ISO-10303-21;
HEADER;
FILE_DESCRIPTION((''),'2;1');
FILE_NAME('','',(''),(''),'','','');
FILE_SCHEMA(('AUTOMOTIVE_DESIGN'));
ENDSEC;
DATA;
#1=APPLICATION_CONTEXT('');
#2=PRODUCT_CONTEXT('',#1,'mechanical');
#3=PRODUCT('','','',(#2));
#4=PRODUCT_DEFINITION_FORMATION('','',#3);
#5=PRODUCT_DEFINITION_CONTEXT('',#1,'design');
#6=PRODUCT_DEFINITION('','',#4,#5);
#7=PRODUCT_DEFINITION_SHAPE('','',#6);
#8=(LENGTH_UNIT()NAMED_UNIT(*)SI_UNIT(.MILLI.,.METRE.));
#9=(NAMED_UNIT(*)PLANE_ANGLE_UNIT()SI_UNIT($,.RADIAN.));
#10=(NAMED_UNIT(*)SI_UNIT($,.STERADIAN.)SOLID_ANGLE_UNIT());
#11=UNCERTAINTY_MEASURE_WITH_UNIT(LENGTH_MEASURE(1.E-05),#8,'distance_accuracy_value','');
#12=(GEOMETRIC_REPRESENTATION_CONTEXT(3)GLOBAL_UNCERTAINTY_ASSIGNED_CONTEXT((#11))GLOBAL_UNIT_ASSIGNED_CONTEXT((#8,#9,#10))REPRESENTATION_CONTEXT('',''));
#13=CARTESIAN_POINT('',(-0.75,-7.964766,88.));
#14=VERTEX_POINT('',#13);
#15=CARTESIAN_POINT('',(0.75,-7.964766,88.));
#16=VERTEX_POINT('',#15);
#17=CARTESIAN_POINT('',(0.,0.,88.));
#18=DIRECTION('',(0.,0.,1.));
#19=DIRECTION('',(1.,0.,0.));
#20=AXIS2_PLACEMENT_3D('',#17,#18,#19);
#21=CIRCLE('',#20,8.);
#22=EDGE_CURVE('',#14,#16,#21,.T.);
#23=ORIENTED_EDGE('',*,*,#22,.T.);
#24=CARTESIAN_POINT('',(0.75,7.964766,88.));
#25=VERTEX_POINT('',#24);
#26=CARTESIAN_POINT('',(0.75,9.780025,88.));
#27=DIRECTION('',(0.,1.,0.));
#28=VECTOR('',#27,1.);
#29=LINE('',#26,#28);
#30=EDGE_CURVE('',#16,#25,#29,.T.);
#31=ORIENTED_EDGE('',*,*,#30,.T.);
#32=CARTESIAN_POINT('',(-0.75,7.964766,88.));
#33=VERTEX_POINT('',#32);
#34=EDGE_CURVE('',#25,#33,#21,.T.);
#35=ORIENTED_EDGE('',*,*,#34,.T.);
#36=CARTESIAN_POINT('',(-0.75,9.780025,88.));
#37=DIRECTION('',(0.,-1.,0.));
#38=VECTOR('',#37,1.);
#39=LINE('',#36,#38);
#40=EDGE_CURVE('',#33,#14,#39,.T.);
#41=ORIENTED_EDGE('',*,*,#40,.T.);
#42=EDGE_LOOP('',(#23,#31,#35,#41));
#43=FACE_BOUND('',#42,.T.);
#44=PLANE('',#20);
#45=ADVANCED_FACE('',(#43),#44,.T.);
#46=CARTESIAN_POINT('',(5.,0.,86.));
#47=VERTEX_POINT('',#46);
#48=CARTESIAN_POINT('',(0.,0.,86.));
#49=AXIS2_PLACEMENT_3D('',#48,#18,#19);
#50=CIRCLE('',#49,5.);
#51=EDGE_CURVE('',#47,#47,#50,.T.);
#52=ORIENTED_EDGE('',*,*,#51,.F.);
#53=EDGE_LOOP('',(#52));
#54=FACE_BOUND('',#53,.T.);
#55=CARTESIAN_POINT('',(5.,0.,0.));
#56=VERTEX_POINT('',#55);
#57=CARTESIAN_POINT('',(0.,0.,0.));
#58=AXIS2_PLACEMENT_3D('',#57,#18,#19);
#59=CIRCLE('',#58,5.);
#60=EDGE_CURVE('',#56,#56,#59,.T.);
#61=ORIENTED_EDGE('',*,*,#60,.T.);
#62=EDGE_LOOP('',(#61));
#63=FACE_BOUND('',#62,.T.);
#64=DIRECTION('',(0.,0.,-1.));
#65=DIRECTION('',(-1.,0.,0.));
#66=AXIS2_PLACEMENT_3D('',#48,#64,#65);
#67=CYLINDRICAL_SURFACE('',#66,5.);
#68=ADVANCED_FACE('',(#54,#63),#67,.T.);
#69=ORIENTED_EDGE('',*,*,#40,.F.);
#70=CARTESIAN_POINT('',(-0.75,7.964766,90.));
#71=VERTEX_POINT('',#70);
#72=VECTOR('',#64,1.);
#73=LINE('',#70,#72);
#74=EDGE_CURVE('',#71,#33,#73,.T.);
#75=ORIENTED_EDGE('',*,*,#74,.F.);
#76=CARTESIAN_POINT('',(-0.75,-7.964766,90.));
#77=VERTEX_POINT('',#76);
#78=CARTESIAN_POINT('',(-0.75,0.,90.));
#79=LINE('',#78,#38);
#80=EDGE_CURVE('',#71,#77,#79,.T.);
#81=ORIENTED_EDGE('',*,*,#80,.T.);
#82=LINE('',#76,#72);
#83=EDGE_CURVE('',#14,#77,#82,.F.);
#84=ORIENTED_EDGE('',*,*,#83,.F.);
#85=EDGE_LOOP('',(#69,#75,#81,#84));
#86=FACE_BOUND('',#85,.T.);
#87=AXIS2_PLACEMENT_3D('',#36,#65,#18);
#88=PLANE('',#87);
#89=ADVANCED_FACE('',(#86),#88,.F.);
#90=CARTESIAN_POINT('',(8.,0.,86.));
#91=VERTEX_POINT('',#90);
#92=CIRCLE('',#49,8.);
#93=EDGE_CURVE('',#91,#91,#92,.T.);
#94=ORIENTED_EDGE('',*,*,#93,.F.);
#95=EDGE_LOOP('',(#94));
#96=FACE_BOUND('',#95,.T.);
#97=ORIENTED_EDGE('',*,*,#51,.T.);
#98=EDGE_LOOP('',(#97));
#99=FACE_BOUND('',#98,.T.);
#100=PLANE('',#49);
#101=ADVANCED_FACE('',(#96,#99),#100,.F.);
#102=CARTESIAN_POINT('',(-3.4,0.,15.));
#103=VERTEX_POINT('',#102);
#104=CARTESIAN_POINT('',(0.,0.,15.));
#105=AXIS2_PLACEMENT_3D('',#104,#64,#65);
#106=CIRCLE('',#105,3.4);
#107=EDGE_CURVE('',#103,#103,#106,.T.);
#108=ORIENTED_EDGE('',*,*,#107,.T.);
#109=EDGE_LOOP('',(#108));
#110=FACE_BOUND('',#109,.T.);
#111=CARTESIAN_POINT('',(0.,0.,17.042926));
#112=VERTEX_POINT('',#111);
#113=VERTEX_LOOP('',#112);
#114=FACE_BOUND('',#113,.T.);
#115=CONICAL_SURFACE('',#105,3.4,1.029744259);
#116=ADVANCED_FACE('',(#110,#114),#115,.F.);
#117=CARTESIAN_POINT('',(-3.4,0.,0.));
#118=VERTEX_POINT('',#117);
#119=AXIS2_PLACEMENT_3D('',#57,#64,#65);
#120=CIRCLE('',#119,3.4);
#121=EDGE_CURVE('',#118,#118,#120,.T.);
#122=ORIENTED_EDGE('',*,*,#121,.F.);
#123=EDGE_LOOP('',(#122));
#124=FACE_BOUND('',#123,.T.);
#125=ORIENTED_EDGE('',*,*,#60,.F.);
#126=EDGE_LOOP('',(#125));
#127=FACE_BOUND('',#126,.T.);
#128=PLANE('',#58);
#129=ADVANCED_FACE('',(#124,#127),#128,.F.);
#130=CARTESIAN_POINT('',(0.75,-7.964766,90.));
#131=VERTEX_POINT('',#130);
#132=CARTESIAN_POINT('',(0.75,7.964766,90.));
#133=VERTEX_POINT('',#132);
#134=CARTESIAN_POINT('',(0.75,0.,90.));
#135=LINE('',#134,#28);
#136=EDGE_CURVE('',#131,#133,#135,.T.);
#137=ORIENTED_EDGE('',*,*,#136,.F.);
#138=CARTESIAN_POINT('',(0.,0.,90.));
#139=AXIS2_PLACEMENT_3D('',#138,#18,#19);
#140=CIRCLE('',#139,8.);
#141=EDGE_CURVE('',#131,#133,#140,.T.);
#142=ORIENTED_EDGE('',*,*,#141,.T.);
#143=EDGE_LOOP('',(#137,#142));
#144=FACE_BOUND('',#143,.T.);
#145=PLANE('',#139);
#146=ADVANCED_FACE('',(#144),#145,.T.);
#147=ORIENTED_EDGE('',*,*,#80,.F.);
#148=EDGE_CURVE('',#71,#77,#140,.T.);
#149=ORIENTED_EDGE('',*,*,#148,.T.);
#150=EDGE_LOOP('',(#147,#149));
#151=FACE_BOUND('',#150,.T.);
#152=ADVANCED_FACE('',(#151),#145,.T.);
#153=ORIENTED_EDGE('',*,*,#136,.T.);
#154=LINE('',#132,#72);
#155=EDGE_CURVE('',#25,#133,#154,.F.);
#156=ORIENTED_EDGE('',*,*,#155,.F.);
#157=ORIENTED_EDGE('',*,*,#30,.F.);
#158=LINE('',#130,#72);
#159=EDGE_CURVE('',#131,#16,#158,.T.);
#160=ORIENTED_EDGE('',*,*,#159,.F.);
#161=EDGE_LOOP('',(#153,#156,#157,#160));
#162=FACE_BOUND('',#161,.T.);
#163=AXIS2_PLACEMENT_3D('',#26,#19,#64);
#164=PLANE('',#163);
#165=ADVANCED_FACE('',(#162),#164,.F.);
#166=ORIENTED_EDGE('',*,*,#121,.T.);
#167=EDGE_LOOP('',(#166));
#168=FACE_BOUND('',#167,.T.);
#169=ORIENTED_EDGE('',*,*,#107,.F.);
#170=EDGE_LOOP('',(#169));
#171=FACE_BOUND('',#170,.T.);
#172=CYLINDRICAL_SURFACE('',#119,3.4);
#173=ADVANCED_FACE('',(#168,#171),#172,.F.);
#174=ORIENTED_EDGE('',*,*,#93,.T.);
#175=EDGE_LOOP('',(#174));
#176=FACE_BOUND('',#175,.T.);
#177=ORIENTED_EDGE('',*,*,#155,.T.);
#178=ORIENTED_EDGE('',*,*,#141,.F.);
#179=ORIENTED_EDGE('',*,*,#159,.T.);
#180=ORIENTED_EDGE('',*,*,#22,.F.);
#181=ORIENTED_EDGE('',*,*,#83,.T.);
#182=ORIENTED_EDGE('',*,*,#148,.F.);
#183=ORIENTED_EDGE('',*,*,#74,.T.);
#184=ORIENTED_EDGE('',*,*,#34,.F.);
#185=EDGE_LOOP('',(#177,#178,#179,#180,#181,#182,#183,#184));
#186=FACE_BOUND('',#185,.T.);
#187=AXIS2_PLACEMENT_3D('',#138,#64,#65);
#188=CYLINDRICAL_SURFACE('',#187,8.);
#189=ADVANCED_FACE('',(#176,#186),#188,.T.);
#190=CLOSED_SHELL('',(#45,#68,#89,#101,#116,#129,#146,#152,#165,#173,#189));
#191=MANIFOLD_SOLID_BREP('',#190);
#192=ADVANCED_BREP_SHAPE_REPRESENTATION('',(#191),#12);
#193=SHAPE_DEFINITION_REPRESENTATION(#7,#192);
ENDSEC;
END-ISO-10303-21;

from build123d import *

# Parameters (mm, degrees)
SKETCH_1_R             = 5
EXTRUDE_1_DEPTH        = 86
SKETCH_2_R             = 8
EXTRUDE_2_DEPTH        = 4
SKETCH_4_W             = 1.5
SKETCH_4_H             = 19.56005024
CUT_EXTRUDE_1_DEPTH    = 2
HOLE_WIZARD_M8_1_D     = 6.8
HOLE_WIZARD_M8_1_DEPTH = 15
HOLE_WIZARD_M8_1_TIP   = 2.042926105


with BuildPart() as part:
    # 草图1 → 凸台-拉伸1 (new body)
    with BuildSketch(Plane.XY):
        Circle(SKETCH_1_R)
    extrude(amount=EXTRUDE_1_DEPTH)

    # 草图2 → 凸台-拉伸2 (add)
    with BuildSketch(Plane.XY.offset(86)):
        Circle(SKETCH_2_R)
    extrude(amount=EXTRUDE_2_DEPTH)

    # 草图4 → 切除-拉伸1 (cut)
    with BuildSketch(Plane.XY.offset(90)):
        Rectangle(SKETCH_4_W, SKETCH_4_H)
    extrude(amount=-CUT_EXTRUDE_1_DEPTH, mode=Mode.SUBTRACT)

    # M8 螺纹孔的螺纹孔钻头1
    with Locations(Plane(origin=(0, 0, 0), x_dir=(-1, 0, 0), z_dir=(0, 0, -1))):
        with Locations((0, 0)):
            Hole(HOLE_WIZARD_M8_1_D / 2, depth=HOLE_WIZARD_M8_1_DEPTH)
            with Locations((0, 0, -(HOLE_WIZARD_M8_1_DEPTH + HOLE_WIZARD_M8_1_TIP / 2))):  # 118° drill point
                Cone(0, HOLE_WIZARD_M8_1_D / 2, HOLE_WIZARD_M8_1_TIP, mode=Mode.SUBTRACT)


solid = part.part
